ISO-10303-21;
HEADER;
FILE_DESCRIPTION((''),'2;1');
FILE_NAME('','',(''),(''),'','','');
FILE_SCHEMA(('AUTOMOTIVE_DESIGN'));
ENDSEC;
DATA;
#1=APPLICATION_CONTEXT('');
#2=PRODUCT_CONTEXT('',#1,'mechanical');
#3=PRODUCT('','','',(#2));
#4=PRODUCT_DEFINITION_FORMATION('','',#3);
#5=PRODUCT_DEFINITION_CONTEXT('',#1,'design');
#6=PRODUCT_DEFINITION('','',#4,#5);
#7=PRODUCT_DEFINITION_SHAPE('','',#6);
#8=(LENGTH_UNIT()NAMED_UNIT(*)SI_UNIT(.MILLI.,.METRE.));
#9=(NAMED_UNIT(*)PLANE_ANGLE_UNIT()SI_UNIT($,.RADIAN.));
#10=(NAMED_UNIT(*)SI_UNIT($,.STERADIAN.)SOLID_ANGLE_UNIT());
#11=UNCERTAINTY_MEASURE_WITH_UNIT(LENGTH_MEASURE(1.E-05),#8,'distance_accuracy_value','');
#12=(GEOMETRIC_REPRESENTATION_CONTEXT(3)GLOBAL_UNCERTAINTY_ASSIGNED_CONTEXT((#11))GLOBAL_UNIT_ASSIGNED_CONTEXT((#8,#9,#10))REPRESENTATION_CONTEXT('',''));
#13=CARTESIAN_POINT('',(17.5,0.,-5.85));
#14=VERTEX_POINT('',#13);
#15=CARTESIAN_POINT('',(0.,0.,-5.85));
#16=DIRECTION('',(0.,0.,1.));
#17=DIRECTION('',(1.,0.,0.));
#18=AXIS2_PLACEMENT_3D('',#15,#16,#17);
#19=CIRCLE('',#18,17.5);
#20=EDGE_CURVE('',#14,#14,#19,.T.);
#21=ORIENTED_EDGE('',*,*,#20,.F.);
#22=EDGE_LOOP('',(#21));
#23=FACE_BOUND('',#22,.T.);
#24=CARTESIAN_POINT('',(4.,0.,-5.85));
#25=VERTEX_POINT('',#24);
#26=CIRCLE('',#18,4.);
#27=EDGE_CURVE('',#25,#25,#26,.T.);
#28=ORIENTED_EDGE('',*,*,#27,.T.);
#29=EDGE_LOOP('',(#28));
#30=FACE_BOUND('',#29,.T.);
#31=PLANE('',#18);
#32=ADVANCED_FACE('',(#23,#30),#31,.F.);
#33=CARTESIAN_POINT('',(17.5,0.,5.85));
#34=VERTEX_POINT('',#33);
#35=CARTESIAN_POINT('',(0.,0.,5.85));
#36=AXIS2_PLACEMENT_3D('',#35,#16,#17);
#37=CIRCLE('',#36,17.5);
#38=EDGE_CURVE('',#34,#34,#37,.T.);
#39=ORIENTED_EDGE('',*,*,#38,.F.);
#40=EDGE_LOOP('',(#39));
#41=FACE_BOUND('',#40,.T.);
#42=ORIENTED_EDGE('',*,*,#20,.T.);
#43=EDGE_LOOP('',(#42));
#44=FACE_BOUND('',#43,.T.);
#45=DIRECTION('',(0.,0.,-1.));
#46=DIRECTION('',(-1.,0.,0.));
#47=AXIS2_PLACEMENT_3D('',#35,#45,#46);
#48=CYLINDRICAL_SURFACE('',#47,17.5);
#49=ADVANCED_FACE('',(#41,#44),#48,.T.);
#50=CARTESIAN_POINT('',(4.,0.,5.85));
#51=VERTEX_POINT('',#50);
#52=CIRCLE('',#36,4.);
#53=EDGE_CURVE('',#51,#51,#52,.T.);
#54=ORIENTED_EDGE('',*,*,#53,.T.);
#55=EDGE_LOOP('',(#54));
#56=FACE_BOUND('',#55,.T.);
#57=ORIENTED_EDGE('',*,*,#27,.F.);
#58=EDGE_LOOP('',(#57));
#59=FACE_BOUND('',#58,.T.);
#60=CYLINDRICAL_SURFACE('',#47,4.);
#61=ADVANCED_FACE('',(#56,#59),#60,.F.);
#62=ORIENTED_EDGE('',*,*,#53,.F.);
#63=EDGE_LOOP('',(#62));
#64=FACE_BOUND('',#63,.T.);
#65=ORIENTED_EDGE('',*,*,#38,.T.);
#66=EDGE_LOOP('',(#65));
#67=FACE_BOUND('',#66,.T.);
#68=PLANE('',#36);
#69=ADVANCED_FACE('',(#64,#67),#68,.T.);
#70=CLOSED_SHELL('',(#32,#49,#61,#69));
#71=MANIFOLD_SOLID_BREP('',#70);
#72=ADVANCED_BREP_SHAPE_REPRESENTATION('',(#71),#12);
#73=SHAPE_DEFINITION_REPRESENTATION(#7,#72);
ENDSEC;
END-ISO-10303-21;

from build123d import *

# Parameters (mm, degrees)
CROQUIS1_R              = 17.5
CROQUIS1_R_2            = 4
SALIENTE_EXTRUIR1_DEPTH = 5.85


with BuildPart() as part:
    # Croquis1 → Saliente-Extruir1 (new, symmetric)
    with BuildSketch(Plane.XY):
        Circle(CROQUIS1_R)
        Circle(CROQUIS1_R_2, mode=Mode.SUBTRACT)
    extrude(amount=SALIENTE_EXTRUIR1_DEPTH, both=True)


solid = part.part
